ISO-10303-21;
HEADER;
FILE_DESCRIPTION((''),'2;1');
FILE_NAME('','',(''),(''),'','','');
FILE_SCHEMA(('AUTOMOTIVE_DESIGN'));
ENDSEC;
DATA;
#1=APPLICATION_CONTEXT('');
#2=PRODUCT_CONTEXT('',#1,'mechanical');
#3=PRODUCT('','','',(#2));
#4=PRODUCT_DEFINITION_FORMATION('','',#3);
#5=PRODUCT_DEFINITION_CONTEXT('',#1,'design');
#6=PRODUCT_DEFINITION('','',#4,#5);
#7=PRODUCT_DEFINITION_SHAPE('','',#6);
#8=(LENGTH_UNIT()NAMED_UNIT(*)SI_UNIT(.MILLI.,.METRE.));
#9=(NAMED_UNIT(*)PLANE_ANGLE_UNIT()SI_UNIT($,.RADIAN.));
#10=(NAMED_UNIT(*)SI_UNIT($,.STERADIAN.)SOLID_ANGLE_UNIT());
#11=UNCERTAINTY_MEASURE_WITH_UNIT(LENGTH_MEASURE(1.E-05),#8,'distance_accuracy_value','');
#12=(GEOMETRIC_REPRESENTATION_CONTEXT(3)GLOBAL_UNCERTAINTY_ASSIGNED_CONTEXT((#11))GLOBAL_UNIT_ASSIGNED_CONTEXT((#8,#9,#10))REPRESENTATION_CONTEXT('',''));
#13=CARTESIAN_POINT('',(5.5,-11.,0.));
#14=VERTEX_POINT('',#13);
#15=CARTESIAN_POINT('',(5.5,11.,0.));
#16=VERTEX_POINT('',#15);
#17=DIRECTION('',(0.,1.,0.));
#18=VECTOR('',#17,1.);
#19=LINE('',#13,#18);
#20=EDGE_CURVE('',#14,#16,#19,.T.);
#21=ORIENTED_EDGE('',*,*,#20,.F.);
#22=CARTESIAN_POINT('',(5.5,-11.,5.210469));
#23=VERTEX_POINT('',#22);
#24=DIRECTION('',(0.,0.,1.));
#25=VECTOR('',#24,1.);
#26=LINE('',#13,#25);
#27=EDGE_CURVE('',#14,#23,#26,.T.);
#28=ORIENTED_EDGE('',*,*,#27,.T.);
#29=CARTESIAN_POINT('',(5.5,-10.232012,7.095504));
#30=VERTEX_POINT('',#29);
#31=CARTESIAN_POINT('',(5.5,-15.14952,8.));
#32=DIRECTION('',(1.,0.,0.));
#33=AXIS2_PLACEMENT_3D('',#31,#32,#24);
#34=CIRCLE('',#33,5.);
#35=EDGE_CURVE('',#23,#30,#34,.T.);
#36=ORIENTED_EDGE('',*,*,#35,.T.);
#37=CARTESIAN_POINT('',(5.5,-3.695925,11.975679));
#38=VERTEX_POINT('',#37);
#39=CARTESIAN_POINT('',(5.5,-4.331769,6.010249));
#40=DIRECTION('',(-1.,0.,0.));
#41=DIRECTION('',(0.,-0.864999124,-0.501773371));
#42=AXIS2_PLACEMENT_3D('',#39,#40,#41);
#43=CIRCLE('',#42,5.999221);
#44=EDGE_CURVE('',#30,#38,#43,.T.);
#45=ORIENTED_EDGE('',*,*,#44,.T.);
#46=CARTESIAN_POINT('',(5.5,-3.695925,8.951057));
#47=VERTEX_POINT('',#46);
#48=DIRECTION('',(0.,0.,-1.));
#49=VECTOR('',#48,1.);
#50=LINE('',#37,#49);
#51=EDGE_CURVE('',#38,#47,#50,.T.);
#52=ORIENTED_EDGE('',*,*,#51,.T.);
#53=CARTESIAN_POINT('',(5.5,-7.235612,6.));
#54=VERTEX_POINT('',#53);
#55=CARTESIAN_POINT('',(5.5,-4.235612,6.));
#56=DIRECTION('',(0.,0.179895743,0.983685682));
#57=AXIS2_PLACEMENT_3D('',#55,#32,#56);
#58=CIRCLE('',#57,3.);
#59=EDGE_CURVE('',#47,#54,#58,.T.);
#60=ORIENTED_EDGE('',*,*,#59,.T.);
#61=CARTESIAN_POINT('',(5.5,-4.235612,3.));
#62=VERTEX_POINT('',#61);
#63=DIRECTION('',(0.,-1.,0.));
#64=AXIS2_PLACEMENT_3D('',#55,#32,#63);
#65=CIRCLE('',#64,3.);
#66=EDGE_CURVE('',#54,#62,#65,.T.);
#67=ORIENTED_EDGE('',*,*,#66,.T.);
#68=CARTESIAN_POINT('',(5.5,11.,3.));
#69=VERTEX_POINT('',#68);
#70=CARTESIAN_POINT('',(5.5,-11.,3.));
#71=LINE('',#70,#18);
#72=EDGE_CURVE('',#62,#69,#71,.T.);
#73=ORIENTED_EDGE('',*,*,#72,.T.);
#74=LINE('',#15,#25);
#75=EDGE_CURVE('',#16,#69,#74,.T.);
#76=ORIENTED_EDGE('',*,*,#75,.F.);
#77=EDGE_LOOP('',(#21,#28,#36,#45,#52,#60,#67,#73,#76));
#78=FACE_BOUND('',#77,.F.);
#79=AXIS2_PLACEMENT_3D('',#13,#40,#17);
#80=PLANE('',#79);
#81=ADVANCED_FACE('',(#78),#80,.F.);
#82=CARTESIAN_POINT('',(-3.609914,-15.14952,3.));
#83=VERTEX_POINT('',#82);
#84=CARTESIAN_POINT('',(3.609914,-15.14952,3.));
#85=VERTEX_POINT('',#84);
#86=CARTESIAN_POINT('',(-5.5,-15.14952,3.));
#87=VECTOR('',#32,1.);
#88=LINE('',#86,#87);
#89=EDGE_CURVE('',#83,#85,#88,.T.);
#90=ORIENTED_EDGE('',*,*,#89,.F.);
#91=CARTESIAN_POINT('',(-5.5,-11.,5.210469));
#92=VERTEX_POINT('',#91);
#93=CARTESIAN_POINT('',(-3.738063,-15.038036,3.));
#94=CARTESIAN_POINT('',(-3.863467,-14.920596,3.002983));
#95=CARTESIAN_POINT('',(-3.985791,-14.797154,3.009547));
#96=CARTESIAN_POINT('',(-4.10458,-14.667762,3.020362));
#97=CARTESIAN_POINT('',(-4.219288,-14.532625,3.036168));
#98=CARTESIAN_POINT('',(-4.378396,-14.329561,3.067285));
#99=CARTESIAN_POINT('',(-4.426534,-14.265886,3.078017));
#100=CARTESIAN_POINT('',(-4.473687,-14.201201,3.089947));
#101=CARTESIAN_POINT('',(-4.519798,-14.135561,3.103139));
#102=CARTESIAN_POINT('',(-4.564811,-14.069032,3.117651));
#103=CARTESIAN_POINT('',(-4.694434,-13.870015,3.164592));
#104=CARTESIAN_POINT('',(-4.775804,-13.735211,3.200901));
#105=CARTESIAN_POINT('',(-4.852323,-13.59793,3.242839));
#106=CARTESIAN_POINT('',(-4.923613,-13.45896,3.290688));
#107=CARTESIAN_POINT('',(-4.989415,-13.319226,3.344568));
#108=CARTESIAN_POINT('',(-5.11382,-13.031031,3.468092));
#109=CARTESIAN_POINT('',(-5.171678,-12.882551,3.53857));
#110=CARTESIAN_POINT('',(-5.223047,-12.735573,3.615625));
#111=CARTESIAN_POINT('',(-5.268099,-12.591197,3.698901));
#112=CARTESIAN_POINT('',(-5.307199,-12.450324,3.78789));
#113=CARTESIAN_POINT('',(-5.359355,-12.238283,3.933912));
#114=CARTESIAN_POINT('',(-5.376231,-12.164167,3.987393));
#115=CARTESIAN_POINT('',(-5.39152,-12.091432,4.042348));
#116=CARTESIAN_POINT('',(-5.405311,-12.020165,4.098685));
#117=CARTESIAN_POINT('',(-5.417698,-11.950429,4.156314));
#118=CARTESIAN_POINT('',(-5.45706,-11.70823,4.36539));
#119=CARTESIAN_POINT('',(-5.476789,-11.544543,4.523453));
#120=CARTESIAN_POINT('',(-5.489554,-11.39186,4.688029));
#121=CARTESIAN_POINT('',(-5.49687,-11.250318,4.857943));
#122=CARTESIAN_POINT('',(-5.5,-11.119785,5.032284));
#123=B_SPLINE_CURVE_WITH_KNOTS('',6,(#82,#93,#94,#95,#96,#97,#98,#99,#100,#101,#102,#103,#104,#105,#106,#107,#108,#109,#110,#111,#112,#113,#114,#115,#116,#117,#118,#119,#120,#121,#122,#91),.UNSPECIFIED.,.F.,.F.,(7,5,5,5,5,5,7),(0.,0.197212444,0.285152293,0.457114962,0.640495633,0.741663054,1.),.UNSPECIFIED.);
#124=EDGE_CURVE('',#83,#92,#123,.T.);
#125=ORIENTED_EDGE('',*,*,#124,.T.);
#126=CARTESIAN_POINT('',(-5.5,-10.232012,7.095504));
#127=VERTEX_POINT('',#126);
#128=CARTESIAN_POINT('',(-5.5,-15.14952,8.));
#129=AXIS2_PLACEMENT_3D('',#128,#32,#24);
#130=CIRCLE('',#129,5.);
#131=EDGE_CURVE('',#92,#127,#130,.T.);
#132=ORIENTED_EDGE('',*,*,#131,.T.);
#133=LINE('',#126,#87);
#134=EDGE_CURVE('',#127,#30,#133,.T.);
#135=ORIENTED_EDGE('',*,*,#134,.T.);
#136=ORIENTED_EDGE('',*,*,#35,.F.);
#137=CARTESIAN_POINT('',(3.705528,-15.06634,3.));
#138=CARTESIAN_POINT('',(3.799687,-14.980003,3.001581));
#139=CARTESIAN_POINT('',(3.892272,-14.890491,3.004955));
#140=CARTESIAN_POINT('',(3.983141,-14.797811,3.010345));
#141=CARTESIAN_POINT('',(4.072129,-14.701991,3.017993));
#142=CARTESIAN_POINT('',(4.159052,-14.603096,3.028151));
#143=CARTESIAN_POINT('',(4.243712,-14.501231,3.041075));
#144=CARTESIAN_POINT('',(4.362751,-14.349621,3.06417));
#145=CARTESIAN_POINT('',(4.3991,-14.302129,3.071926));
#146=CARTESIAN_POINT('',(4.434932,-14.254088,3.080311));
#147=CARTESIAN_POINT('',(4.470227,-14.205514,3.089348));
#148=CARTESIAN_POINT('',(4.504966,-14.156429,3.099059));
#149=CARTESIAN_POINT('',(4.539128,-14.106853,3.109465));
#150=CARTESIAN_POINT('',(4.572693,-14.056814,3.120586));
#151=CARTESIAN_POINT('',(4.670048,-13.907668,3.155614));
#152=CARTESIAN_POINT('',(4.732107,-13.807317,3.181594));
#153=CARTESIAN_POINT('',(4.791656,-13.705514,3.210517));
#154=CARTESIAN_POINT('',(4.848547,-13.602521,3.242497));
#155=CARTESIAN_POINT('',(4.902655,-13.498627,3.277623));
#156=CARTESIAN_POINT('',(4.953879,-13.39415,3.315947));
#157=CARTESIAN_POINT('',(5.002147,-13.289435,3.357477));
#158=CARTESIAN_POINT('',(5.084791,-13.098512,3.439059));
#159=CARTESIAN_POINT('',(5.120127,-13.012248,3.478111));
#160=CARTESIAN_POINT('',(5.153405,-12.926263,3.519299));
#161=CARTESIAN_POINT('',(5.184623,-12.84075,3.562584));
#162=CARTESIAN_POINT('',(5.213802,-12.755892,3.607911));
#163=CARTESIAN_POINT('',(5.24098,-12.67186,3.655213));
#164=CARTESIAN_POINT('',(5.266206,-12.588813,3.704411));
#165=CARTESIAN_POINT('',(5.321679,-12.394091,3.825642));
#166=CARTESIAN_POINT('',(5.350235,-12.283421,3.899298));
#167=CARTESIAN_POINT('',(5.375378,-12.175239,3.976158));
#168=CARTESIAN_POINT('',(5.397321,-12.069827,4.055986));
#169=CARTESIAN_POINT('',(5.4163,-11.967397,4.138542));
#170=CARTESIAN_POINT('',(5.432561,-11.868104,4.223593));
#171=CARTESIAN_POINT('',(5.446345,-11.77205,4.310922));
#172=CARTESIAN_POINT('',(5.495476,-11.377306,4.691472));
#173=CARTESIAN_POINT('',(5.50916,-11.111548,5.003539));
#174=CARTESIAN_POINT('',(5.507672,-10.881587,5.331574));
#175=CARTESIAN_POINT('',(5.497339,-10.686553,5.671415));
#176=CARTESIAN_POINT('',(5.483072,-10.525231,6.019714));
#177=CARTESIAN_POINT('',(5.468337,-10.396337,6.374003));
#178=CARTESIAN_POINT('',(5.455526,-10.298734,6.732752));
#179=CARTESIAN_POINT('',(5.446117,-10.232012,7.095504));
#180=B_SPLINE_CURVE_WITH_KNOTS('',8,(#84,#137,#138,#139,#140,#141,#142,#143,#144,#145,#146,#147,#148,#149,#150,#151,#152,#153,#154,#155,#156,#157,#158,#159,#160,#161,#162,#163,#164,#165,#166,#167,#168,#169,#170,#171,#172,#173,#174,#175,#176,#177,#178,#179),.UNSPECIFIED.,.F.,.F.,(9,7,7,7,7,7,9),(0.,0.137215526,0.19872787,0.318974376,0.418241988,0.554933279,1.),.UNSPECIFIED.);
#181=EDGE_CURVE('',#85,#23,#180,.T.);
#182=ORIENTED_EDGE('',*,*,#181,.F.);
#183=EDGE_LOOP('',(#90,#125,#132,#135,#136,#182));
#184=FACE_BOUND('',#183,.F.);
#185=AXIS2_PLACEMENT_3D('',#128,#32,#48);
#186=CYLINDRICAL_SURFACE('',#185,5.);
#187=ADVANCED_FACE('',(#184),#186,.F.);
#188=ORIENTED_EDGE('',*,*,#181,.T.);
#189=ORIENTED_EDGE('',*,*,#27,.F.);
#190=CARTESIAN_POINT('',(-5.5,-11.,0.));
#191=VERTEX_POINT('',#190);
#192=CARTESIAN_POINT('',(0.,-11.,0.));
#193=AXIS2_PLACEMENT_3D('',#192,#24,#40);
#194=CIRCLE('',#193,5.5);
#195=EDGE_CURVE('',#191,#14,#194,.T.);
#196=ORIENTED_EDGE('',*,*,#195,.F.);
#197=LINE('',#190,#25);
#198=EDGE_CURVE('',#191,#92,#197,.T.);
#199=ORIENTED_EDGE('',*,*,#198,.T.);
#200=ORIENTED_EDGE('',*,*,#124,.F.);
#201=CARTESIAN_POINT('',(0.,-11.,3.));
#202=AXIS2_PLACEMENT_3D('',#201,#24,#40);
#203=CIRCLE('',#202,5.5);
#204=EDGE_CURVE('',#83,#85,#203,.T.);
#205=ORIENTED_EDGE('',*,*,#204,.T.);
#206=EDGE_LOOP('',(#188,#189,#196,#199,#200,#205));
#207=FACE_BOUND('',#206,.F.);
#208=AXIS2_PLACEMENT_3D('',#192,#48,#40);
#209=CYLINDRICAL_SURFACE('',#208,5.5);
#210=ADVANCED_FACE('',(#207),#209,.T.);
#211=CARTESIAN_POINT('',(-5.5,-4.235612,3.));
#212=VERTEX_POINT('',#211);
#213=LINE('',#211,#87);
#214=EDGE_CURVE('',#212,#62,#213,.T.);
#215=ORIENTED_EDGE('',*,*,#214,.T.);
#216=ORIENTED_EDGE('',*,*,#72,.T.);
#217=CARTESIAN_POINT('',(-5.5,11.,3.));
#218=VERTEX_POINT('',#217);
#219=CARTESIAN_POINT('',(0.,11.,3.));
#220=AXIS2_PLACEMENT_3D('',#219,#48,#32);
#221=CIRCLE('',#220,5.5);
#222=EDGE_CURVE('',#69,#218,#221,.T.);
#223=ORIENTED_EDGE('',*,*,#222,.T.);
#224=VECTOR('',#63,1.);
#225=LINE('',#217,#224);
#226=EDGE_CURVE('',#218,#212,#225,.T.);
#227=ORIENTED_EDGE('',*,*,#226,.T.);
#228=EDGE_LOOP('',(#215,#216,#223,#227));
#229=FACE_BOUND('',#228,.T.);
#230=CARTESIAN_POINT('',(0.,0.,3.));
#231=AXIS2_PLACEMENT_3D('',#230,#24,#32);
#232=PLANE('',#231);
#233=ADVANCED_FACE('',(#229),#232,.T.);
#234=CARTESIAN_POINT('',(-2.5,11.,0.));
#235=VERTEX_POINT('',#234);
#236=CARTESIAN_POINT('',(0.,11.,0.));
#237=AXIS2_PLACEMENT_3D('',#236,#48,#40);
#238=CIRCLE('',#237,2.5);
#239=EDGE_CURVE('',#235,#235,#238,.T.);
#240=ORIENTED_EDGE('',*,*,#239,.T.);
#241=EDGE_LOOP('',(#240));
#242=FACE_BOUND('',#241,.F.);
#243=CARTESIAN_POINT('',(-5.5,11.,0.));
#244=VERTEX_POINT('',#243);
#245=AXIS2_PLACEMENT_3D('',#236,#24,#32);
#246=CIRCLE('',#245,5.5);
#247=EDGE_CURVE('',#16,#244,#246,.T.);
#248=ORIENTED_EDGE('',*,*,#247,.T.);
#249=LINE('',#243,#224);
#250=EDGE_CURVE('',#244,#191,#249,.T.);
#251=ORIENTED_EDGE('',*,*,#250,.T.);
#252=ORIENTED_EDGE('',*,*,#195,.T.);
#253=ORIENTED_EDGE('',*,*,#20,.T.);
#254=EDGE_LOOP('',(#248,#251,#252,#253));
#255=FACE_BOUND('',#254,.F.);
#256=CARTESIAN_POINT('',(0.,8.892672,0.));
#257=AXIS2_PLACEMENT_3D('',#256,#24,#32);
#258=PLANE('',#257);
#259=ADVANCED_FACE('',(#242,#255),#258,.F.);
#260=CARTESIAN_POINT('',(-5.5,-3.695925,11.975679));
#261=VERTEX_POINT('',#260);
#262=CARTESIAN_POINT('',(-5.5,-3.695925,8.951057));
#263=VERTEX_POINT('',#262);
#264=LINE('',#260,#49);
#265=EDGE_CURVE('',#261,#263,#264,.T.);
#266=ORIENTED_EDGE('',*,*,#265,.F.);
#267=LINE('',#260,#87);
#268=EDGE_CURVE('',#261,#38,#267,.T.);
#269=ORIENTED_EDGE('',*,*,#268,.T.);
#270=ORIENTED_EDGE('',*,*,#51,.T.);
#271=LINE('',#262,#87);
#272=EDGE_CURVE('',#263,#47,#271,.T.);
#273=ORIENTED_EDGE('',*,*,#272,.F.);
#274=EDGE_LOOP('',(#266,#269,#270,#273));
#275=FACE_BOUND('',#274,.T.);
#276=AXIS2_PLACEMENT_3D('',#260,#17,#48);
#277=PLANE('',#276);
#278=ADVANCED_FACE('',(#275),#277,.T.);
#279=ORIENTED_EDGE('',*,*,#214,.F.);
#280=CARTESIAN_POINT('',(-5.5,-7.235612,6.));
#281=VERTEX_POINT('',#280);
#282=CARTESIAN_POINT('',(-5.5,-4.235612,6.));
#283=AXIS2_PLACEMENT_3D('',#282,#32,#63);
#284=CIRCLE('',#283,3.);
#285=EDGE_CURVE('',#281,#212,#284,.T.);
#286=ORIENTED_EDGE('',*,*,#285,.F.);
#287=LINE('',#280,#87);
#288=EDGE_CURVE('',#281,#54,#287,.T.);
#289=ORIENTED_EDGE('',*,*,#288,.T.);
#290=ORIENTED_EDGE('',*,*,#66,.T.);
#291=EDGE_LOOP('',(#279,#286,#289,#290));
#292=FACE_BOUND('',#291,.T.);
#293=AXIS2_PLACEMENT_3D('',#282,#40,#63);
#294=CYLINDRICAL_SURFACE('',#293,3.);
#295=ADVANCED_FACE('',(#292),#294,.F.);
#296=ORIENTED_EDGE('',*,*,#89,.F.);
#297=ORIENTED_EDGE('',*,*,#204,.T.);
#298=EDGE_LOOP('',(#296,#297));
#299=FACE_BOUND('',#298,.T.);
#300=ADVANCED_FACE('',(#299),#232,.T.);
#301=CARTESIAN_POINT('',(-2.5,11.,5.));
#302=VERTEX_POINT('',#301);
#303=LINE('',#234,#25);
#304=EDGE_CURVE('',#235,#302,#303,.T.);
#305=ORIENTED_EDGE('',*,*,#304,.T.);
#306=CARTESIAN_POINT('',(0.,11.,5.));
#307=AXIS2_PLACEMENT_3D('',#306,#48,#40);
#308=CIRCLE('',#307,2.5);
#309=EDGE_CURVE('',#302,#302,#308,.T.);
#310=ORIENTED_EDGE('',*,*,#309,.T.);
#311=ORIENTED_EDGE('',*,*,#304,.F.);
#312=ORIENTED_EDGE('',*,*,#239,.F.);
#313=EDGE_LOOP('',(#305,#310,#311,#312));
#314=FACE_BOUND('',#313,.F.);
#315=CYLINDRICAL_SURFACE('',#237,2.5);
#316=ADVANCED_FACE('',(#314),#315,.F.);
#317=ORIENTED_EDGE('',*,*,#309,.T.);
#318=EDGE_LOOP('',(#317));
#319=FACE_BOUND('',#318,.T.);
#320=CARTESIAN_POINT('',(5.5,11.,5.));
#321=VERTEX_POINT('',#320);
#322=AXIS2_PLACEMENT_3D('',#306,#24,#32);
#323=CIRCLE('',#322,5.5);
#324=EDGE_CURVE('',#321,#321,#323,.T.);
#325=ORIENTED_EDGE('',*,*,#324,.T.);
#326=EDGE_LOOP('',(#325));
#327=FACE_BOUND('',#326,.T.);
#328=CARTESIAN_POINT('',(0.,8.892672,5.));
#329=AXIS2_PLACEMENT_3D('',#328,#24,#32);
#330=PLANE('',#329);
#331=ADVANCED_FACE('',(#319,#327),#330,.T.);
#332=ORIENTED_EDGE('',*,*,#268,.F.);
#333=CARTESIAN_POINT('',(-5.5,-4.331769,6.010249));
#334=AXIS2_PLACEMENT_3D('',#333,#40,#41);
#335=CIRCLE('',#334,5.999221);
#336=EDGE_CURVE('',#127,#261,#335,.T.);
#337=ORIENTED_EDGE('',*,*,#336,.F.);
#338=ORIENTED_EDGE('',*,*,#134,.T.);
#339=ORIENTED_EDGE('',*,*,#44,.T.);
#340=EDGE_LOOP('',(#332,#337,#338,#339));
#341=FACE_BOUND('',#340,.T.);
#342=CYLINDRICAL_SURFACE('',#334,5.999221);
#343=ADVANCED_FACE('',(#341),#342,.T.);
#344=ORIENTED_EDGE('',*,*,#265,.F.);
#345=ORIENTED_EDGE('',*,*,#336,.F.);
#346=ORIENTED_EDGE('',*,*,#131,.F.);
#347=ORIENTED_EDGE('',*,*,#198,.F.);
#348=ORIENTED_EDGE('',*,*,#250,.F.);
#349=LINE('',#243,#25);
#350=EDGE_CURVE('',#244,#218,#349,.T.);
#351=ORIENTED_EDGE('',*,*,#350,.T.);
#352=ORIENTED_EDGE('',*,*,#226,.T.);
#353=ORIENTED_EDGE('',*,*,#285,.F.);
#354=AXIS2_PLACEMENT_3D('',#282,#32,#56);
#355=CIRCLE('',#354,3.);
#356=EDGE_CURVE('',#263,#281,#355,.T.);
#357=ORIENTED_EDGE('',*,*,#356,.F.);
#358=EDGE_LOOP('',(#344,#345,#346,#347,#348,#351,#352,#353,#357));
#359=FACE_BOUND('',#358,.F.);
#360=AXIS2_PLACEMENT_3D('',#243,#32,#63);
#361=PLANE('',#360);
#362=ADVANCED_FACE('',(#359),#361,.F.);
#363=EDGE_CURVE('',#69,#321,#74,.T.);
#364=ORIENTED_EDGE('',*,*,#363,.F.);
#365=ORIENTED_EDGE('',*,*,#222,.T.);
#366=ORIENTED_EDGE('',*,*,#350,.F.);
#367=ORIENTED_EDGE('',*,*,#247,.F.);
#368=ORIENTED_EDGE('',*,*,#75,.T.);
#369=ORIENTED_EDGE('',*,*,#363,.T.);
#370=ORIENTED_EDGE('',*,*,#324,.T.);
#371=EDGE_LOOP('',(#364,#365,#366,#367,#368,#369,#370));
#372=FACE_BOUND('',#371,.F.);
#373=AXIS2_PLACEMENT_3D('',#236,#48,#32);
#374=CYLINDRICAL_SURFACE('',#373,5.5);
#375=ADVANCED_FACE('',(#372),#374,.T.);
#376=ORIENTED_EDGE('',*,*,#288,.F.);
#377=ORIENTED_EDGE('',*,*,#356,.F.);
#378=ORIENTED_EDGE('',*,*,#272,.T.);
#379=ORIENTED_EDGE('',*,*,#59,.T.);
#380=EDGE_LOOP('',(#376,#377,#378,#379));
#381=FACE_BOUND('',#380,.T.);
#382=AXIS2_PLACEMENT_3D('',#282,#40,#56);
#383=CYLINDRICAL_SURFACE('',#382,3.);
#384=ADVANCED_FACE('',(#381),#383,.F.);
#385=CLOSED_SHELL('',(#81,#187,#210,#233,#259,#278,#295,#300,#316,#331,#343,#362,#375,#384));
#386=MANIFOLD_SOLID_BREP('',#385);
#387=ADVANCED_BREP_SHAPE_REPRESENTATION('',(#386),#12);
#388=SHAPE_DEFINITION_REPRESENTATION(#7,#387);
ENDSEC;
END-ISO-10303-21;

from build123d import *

# Parameters (mm, degrees)
F1_DEPTH = 3
F2_DEPTH = 5
F4_DEPTH = 11
F5_R     = 5


with BuildPart() as f1:
    # F0 (on Top) → F1 (new body)
    with BuildSketch(Plane.XY):
        with BuildLine():
            Line((-5.5, 11), (-5.5, -11))
            ThreePointArc((-5.5, -11), (0, -5.5), (5.5, -11))
            Line((5.5, -11), (5.5, 11))
            ThreePointArc((5.5, 11), (0, 5.5), (-5.5, 11))
        make_face()
        with BuildLine():
            ThreePointArc((5.5, -11), (0, -5.5), (-5.5, -11))
            Line((-5.5, -11), (5.5, -11))
        make_face()
        with BuildLine():
            Line((5.5, -11), (-5.5, -11))
            ThreePointArc((-5.5, -11), (0, -16.5), (5.5, -11))
        make_face()
    extrude(amount=F1_DEPTH)

    # F0 (on Top) → F2 (join)
    with BuildSketch(Plane.XY):
        with BuildLine():
            Line((-2.5, 11), (-5.5, 11))
            ThreePointArc((-5.5, 11), (0, 5.5), (5.5, 11))
            Line((5.5, 11), (2.5, 11))
            ThreePointArc((2.5, 11), (0, 8.5), (-2.5, 11))
        make_face()
        with BuildLine():
            ThreePointArc((5.5, 11), (0, 16.5), (-5.5, 11))
            Line((-5.5, 11), (-2.5, 11))
            ThreePointArc((-2.5, 11), (0, 13.5), (2.5, 11))
            Line((2.5, 11), (5.5, 11))
        make_face()
    extrude(amount=F2_DEPTH)

    # F3 (on face) → F4 (join)
    with BuildSketch(Plane(origin=(-5.5, 0, 0), x_dir=(0, -1, 0), z_dir=(-1, 0, 0))):
        with BuildLine():
            ThreePointArc((3.6959245331, 8.9510570469), (6.1566711465, 8.3042419241), (7.2356117629, 6))
            ThreePointArc((7.2356117629, 6), (6.3569321064, 3.8786796564), (4.2356117629, 3))
            Line((4.2356117629, 3), (9.5210892795, 3))
            ThreePointArc((9.5210892795, 3), (9.3640881698, 9.2761960602), (3.6959245331, 11.975678848))
            Line((3.6959245331, 11.975678848), (3.6959245331, 8.9510570469))
        make_face()
    extrude(amount=-F4_DEPTH)

    # F5
    f5_edges = [f1.edges().sort_by_distance(p)[0] for p in [
        (0, -9.521089, 3),
    ]]
    fillet(f5_edges, radius=F5_R)


solid = f1.part
